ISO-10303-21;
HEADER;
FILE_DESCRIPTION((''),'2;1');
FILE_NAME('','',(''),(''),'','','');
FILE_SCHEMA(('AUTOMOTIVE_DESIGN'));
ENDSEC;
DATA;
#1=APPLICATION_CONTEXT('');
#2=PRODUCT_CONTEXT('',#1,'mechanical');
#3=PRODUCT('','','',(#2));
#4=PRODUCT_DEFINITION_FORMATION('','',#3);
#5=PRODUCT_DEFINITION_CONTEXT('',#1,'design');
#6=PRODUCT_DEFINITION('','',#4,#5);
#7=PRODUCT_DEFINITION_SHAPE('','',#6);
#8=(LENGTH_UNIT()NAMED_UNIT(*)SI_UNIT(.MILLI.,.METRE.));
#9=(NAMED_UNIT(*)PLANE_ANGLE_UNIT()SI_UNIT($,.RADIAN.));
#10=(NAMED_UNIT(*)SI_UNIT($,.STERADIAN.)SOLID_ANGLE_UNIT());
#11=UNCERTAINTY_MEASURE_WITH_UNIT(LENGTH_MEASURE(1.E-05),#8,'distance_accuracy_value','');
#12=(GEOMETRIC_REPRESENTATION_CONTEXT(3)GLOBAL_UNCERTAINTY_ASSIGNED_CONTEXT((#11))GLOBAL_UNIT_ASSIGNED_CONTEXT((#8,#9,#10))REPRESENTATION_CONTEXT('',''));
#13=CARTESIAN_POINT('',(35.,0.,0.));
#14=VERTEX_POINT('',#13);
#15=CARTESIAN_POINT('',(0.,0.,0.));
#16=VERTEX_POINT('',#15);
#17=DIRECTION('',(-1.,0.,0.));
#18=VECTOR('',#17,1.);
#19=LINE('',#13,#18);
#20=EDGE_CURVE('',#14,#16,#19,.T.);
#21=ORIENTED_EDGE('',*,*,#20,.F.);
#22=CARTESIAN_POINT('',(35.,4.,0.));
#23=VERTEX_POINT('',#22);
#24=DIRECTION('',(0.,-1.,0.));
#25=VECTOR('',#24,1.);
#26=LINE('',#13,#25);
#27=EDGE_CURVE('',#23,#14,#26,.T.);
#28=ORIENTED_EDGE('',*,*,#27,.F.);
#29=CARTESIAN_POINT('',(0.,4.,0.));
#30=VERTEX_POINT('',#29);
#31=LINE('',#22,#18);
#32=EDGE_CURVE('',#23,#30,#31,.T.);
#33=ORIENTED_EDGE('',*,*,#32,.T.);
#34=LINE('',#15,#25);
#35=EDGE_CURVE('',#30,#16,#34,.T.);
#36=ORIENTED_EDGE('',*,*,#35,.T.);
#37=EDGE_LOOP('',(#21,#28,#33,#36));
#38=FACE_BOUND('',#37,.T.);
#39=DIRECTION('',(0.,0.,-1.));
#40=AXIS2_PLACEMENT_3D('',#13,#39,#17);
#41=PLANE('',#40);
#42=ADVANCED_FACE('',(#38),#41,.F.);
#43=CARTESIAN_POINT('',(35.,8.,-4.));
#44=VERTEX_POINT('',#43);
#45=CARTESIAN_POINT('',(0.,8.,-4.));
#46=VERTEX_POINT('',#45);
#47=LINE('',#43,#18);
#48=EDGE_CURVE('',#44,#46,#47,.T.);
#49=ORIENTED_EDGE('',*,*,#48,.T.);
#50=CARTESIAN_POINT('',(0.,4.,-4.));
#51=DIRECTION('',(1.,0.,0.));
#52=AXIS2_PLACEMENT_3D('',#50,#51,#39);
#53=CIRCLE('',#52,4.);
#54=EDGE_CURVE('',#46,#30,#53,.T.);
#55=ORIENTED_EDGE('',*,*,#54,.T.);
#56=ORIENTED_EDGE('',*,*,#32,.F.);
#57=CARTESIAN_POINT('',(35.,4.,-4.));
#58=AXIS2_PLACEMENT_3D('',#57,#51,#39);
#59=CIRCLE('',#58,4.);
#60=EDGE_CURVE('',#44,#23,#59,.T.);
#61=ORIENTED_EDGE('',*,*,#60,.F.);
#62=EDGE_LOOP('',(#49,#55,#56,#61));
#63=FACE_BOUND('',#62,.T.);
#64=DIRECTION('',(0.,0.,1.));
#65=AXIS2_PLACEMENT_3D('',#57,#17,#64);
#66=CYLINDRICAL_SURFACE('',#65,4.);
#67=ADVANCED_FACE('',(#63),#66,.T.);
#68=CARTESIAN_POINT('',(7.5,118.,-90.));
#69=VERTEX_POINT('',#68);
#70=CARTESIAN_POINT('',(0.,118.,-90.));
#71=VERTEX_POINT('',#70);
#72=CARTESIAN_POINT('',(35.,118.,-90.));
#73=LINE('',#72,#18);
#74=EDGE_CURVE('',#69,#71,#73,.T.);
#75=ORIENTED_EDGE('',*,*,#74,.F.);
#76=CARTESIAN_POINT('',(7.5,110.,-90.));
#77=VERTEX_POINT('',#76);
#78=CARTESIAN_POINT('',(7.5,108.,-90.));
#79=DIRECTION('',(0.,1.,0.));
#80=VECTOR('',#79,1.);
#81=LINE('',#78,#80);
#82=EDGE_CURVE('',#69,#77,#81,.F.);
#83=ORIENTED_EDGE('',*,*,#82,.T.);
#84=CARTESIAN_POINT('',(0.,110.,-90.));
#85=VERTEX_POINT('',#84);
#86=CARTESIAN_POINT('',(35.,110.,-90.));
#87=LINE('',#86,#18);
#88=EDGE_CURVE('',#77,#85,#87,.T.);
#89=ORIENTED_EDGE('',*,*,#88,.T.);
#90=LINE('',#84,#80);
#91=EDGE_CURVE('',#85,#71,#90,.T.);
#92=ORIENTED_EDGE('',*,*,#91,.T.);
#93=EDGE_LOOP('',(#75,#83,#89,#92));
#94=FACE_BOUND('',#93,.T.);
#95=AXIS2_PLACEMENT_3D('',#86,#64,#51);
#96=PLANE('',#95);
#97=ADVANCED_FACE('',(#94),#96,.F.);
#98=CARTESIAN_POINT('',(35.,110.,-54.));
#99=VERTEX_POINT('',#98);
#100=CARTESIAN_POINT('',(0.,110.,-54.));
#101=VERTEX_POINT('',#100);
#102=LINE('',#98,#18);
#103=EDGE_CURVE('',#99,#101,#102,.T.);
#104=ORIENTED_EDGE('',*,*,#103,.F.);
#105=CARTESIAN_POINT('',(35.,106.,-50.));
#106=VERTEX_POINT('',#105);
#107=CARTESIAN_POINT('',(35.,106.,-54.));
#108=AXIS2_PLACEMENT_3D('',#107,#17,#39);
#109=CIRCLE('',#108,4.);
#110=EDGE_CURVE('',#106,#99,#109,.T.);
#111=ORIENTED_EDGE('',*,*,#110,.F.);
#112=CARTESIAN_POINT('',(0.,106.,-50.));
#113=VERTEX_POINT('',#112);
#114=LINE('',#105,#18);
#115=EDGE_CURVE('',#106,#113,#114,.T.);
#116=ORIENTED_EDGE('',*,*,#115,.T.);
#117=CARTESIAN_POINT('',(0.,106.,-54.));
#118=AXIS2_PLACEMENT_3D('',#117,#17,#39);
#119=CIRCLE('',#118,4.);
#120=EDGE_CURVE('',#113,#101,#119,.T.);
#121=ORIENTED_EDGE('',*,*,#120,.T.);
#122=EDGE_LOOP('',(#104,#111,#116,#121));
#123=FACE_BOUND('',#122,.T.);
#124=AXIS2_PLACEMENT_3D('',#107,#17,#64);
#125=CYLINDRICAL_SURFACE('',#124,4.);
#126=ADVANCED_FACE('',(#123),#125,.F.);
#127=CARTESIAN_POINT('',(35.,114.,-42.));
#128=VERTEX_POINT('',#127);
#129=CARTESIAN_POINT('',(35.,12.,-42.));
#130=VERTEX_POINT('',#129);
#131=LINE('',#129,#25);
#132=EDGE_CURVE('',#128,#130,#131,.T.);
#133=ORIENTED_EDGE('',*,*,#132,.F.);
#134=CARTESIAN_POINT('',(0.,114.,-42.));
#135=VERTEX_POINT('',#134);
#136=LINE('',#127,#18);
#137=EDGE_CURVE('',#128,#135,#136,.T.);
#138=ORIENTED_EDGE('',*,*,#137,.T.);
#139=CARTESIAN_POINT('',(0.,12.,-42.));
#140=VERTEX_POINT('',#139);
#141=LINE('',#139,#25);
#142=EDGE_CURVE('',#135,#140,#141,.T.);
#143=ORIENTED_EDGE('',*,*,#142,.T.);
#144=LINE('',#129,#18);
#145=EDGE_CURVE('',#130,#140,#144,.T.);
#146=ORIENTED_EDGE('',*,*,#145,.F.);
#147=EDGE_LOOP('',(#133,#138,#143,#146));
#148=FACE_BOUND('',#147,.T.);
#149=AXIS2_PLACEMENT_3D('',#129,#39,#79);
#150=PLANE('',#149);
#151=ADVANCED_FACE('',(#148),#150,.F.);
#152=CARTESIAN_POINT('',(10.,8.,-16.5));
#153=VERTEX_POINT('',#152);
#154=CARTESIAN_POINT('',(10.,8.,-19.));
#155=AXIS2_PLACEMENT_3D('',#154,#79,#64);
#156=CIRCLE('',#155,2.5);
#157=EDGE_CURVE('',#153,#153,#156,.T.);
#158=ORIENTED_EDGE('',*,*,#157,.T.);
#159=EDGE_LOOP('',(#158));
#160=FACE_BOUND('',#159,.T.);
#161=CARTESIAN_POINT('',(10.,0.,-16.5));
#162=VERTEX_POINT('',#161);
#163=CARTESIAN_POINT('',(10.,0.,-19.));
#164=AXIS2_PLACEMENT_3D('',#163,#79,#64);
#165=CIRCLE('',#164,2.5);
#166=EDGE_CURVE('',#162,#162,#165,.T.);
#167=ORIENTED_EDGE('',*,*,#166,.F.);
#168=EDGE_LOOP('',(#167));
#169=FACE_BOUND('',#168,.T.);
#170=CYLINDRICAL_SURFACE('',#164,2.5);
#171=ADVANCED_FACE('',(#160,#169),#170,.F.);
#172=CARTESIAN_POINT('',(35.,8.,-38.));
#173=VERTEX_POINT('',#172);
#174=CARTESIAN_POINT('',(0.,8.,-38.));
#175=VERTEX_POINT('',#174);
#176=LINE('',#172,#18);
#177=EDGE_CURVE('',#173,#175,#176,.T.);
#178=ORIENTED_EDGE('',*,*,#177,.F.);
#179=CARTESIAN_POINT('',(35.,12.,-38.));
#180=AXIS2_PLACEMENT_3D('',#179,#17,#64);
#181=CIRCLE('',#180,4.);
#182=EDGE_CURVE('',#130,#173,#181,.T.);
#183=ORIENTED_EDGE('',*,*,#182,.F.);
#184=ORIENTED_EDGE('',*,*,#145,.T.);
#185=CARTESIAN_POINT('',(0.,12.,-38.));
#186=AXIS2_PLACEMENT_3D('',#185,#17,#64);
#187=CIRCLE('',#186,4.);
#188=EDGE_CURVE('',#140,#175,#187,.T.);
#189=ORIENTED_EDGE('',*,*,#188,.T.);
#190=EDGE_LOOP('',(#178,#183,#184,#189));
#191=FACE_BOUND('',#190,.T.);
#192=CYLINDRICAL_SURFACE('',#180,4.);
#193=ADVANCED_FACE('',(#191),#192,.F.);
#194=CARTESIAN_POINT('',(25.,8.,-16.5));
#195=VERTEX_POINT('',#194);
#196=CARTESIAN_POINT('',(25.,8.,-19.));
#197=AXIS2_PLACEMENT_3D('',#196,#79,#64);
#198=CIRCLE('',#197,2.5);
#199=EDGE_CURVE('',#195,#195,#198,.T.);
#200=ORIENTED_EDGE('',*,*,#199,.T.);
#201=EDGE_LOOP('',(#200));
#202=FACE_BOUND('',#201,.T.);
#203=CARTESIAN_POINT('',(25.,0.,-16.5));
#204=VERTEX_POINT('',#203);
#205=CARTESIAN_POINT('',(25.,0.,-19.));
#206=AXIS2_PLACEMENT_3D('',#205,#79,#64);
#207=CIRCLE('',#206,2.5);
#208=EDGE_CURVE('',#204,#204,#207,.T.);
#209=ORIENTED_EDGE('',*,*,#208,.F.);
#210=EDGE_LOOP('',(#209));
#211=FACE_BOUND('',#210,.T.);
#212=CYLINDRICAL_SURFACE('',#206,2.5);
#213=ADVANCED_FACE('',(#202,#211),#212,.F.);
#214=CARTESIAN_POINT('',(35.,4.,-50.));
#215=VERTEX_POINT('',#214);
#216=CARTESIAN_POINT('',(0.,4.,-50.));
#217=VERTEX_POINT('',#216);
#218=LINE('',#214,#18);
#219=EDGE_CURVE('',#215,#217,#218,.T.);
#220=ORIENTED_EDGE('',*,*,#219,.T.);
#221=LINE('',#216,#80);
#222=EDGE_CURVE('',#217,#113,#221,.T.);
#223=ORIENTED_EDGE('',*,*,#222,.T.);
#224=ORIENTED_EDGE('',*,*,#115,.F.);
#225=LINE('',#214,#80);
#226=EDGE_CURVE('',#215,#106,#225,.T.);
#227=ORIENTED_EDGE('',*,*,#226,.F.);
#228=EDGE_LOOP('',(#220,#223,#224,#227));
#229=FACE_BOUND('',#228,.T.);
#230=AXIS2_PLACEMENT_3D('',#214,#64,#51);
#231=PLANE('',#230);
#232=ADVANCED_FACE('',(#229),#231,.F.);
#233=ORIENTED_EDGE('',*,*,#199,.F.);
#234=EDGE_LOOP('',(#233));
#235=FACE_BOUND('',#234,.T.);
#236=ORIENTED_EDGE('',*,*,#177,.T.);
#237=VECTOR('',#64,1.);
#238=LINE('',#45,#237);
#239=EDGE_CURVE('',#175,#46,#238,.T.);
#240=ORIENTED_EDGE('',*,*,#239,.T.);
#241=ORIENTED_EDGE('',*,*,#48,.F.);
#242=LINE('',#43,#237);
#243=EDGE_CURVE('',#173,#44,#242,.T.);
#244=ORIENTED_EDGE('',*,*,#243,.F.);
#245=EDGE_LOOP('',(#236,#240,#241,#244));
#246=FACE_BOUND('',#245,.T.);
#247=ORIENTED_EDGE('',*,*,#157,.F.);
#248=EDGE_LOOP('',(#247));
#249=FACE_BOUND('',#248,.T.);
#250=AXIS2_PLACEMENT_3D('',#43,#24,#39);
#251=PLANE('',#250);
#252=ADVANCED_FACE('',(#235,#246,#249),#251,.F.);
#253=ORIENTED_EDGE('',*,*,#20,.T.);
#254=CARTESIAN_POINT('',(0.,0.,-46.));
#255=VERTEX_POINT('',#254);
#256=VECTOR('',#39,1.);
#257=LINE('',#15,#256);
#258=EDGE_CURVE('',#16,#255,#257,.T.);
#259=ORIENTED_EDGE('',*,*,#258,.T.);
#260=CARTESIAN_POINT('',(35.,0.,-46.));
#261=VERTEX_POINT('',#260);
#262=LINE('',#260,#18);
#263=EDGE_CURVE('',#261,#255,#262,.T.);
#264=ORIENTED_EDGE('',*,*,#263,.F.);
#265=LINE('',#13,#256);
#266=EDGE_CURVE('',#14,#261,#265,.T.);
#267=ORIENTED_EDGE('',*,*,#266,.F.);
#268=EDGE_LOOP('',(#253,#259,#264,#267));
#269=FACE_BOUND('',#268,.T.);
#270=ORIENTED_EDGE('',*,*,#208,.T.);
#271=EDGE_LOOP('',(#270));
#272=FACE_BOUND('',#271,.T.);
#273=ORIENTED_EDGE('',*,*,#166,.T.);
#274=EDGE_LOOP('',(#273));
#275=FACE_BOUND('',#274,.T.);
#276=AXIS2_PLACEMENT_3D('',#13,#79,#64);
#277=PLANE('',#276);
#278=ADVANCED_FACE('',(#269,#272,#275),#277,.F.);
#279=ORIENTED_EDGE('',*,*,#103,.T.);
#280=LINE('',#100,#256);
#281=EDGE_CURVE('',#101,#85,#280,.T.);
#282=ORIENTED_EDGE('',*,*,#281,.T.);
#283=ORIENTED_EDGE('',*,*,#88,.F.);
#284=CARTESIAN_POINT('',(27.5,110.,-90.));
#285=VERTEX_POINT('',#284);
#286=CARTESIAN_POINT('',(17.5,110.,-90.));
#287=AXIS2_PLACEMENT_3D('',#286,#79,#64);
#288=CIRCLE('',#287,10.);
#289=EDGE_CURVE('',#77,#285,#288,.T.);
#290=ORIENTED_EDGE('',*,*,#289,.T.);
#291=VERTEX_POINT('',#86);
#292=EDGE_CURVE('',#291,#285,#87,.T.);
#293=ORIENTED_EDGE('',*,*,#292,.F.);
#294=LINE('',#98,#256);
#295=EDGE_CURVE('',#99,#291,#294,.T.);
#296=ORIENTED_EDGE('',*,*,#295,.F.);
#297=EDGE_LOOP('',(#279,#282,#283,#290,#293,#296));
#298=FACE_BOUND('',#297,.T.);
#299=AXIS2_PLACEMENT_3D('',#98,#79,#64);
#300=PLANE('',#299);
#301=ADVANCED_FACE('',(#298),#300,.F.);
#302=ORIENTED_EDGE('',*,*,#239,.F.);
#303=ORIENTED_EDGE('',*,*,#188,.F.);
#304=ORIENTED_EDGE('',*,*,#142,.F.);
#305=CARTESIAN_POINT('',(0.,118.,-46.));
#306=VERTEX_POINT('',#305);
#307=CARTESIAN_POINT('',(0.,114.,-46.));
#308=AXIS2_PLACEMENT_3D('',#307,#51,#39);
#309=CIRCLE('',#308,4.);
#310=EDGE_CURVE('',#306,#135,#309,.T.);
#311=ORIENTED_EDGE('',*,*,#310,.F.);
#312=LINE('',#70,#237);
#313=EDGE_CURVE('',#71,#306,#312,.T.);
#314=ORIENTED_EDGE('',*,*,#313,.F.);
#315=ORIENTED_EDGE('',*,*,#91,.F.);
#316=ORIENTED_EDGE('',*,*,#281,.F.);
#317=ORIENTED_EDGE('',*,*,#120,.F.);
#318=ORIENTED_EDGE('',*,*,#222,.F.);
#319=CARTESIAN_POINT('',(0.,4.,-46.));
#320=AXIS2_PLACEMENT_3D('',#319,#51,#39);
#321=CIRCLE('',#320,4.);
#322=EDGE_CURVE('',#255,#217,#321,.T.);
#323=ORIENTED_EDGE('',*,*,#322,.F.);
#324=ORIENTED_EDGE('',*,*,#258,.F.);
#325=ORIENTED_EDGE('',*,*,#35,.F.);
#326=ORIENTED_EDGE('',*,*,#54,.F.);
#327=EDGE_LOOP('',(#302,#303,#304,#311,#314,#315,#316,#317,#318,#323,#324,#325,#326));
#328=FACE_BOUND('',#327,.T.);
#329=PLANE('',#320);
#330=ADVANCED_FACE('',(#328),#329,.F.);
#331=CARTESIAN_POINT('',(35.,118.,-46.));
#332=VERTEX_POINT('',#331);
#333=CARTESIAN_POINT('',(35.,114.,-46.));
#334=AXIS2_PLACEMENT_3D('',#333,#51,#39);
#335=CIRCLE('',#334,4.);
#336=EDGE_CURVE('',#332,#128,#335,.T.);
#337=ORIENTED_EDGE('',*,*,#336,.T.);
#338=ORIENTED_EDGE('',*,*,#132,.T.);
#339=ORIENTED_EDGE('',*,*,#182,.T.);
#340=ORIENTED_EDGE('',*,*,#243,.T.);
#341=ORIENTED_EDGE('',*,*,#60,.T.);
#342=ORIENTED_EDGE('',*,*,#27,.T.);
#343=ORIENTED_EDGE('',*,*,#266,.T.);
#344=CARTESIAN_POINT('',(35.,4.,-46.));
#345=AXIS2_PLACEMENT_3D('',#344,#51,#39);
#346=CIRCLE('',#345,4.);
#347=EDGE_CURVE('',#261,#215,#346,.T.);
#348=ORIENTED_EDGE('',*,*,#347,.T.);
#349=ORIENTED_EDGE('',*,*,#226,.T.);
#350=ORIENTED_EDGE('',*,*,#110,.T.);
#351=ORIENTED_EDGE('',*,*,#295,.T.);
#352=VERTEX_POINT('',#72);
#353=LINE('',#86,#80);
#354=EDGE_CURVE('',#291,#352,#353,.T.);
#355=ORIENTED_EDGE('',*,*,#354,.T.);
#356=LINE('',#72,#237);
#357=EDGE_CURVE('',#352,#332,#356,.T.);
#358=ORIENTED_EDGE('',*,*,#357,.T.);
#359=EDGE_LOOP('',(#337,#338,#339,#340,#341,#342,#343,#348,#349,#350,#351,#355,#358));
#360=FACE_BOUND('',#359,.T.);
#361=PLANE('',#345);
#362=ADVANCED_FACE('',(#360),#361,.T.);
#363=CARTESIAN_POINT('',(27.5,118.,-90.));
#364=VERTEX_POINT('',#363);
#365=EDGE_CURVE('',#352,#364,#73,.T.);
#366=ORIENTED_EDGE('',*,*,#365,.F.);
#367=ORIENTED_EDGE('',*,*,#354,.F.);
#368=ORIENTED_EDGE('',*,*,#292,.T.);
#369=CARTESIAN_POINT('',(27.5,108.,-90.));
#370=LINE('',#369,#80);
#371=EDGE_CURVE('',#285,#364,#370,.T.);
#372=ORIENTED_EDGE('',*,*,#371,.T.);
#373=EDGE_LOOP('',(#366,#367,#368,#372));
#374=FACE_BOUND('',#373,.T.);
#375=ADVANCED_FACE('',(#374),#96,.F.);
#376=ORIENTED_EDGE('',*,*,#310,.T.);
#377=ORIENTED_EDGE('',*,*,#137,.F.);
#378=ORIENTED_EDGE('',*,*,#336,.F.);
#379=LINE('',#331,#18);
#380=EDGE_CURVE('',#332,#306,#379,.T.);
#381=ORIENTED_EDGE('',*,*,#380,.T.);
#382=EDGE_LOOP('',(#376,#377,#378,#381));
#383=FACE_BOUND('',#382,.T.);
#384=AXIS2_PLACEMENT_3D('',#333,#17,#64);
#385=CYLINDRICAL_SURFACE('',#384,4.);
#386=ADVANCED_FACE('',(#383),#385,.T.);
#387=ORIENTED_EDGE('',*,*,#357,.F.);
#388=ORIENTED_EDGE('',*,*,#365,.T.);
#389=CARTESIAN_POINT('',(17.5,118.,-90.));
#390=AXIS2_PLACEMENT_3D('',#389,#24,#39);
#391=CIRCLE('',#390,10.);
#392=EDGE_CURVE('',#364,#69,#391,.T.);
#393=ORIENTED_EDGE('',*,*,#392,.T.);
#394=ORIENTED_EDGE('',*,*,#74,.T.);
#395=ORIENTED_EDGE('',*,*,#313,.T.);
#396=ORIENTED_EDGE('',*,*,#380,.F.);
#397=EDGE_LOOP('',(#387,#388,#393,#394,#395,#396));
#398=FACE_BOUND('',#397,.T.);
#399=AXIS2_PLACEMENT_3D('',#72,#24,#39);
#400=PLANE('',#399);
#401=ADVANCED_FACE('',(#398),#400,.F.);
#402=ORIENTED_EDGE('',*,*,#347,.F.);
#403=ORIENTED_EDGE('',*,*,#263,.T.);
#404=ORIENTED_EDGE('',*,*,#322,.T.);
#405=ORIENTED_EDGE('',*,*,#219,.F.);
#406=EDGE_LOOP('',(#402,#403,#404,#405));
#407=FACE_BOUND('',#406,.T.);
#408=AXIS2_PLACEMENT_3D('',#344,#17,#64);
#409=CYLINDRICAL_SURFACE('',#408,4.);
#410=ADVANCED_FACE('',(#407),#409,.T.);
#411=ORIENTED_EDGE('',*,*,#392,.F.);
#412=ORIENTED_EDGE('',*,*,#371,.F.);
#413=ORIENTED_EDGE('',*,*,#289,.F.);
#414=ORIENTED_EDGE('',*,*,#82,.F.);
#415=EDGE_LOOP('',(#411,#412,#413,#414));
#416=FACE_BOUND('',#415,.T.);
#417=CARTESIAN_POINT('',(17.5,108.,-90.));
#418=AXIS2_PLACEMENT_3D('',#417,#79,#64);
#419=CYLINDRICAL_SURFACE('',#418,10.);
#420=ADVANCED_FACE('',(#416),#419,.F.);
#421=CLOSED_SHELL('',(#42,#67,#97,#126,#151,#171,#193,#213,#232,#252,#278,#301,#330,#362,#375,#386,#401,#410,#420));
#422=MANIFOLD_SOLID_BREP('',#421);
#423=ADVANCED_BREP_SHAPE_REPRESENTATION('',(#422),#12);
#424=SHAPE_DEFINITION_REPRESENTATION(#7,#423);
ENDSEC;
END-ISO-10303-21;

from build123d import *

# Parameters (mm, degrees)
BOSS_EXTRUDE1_DEPTH = 35
SKETCH2_R           = 10
CUT_EXTRUDE1_DEPTH  = 10
SKETCH3_R           = 2.5
CUT_EXTRUDE2_DEPTH  = 147.372811683


with BuildPart() as part:
    # Sketch1 → Boss-Extrude1 (new body)
    with BuildSketch(Plane(origin=(0, 0, 0), x_dir=(0, 0, -1), z_dir=(1, 0, 0))):
        with BuildLine():
            Line((0, 0), (0, 4))
            ThreePointArc((0, 4), (1.171572875, 6.828427125), (4, 8))
            Line((4, 8), (38, 8))
            ThreePointArc((38, 8), (40.828427125, 9.171572875), (42, 12))
            Line((42, 12), (42, 114))
            ThreePointArc((42, 114), (43.171572875, 116.828427125), (46, 118))
            Line((46, 118), (90, 118))
            Line((90, 118), (90, 110))
            Line((90, 110), (54, 110))
            ThreePointArc((54, 110), (51.171572875, 108.828427125), (50, 106))
            Line((50, 106), (50, 4))
            ThreePointArc((50, 4), (48.828427125, 1.171572875), (46, 0))
            Line((46, 0), (0, 0))
        make_face()
    extrude(amount=BOSS_EXTRUDE1_DEPTH)

    # Sketch2 → Cut-Extrude1 (cut)
    with BuildSketch(Plane(origin=(0, 118, 0), x_dir=(1, 0, 0), z_dir=(0, 1, 0))):
        with Locations((17.5, 90)):
            Circle(SKETCH2_R)
    extrude(amount=-CUT_EXTRUDE1_DEPTH, mode=Mode.SUBTRACT)

    # Sketch3 → Cut-Extrude2 (cut, through all)
    with BuildSketch(Plane(origin=(0, 8, 0), x_dir=(1, 0, 0), z_dir=(0, 1, 0))):
        with Locations(Location((10, 19, 0), (0, 0, 270))):
            Circle(SKETCH3_R)
        with Locations(Location((25, 19, 0), (0, 0, 270))):
            Circle(SKETCH3_R)
    extrude(amount=-CUT_EXTRUDE2_DEPTH, mode=Mode.SUBTRACT)


solid = part.part
